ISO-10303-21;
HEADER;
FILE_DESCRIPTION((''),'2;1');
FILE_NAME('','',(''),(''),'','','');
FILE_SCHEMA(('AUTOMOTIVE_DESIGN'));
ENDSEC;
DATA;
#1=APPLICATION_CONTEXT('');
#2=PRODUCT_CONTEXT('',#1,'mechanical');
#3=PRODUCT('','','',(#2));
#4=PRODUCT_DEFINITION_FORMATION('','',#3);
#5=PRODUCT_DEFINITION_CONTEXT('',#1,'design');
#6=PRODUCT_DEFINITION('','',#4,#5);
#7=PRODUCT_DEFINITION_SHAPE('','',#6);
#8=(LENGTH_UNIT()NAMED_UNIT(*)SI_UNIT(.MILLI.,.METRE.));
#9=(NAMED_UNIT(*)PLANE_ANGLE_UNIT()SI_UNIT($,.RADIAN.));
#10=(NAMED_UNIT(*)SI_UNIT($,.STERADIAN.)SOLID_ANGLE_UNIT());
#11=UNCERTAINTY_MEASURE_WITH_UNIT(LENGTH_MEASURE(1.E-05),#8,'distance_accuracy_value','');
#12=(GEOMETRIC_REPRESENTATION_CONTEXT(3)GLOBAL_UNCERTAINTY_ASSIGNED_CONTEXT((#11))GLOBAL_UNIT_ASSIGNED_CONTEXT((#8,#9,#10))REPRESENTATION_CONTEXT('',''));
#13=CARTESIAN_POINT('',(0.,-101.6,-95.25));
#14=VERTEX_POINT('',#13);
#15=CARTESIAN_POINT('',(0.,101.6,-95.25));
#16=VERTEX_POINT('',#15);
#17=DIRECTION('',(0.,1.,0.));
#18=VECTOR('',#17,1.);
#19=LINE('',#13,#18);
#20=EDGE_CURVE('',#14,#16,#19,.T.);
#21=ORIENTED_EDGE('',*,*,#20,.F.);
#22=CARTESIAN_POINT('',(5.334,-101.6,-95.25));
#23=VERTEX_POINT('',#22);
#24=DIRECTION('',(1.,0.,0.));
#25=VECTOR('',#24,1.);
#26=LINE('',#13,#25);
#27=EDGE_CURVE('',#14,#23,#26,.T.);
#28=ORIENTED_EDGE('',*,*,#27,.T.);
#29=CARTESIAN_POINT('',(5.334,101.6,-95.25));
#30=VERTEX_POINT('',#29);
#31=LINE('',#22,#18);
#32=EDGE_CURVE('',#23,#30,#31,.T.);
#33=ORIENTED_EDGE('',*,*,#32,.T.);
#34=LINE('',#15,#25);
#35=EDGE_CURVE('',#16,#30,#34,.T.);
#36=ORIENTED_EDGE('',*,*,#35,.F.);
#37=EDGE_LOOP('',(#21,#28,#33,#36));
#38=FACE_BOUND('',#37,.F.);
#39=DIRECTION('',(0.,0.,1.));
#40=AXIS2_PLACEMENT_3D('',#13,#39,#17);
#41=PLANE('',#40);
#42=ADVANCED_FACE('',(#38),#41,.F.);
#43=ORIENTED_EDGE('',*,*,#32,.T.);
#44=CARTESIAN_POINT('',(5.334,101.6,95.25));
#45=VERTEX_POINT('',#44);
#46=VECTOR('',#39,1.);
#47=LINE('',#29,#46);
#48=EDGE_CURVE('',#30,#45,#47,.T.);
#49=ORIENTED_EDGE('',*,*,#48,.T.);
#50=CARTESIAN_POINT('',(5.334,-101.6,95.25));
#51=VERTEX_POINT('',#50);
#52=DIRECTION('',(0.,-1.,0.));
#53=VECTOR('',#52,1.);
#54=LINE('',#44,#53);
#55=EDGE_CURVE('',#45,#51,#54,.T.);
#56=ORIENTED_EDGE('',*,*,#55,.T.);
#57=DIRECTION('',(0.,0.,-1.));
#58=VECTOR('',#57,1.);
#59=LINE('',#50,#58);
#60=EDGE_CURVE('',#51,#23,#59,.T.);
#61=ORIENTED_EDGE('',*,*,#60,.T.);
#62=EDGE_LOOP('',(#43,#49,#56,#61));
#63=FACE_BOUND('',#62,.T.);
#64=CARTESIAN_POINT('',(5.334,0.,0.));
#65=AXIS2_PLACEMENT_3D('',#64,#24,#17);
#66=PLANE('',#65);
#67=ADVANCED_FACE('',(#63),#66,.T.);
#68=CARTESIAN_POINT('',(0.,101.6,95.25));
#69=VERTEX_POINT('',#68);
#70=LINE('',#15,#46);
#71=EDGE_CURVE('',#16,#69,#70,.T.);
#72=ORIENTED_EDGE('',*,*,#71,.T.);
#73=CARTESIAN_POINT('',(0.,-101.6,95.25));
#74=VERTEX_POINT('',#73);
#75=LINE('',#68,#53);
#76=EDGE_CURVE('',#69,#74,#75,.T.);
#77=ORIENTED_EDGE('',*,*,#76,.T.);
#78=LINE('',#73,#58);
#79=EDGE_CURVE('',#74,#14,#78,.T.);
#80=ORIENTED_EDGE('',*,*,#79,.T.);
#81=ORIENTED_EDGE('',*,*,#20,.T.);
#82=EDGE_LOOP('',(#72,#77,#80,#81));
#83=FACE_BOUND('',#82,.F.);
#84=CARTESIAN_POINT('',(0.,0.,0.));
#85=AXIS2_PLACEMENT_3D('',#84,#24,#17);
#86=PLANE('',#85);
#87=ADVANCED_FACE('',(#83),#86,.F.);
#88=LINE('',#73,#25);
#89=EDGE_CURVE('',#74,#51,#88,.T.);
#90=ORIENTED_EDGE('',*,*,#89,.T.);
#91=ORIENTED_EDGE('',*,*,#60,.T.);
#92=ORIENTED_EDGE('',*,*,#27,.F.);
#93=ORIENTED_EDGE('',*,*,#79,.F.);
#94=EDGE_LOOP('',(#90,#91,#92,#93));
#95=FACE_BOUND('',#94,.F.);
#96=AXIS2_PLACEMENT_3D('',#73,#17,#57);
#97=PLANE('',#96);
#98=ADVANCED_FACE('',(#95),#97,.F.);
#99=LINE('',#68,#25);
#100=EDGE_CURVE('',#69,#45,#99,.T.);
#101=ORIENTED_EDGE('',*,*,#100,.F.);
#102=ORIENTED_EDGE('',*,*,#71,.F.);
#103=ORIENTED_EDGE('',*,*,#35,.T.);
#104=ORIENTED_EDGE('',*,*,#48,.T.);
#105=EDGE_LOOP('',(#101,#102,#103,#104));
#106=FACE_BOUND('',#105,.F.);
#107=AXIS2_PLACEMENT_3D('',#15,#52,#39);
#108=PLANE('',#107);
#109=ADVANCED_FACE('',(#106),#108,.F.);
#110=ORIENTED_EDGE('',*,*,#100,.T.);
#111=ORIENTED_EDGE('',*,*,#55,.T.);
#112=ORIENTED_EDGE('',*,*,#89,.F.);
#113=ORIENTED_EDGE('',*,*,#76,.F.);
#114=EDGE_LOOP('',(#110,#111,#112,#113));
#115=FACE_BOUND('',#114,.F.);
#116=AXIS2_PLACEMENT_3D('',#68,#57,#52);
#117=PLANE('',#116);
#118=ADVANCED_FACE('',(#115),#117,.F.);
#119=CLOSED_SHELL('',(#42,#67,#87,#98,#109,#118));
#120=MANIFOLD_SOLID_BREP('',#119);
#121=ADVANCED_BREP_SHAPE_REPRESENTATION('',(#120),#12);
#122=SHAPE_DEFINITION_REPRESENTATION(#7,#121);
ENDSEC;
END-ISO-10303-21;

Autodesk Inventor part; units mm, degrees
ref_plane "YZ Plane" through (0, 0, 0) normal (1, 0, 0) x (0, 1, 0)
ref_plane "XZ Plane" through (0, 0, 0) normal (0, 1, 0) x (-1, 0, 0)
ref_plane "XY Plane" through (0, 0, 0) normal (0, 0, 1) x (1, 0, 0)
sketch "Sketch1" plane through (0, 0, 0) normal (1, 0, 0) x (0, 1, 0)
  line L0 (0, -133.35) -> (0, 133.35) construction
  line L1 (-142.24, 0) -> (142.24, 0) construction
  line L2 (101.6, 95.25) -> (-101.6, 95.25)
  line L3 (-101.6, 95.25) -> (-101.6, -95.25)
  line L4 (-101.6, -95.25) -> (101.6, -95.25)
  line L5 (101.6, -95.25) -> (101.6, 95.25)
  point P0 (0, 0)
  point P1 (0, 95.25)
  point P2 (101.6, 0)
  dimension "d0" = 203.2
  dimension "d1" = 190.5
extrude "Extrusion1" add sketch "Sketch1" along normal blind 5.334
properties part number "Side Panel" material "Acrylic, Clear"
